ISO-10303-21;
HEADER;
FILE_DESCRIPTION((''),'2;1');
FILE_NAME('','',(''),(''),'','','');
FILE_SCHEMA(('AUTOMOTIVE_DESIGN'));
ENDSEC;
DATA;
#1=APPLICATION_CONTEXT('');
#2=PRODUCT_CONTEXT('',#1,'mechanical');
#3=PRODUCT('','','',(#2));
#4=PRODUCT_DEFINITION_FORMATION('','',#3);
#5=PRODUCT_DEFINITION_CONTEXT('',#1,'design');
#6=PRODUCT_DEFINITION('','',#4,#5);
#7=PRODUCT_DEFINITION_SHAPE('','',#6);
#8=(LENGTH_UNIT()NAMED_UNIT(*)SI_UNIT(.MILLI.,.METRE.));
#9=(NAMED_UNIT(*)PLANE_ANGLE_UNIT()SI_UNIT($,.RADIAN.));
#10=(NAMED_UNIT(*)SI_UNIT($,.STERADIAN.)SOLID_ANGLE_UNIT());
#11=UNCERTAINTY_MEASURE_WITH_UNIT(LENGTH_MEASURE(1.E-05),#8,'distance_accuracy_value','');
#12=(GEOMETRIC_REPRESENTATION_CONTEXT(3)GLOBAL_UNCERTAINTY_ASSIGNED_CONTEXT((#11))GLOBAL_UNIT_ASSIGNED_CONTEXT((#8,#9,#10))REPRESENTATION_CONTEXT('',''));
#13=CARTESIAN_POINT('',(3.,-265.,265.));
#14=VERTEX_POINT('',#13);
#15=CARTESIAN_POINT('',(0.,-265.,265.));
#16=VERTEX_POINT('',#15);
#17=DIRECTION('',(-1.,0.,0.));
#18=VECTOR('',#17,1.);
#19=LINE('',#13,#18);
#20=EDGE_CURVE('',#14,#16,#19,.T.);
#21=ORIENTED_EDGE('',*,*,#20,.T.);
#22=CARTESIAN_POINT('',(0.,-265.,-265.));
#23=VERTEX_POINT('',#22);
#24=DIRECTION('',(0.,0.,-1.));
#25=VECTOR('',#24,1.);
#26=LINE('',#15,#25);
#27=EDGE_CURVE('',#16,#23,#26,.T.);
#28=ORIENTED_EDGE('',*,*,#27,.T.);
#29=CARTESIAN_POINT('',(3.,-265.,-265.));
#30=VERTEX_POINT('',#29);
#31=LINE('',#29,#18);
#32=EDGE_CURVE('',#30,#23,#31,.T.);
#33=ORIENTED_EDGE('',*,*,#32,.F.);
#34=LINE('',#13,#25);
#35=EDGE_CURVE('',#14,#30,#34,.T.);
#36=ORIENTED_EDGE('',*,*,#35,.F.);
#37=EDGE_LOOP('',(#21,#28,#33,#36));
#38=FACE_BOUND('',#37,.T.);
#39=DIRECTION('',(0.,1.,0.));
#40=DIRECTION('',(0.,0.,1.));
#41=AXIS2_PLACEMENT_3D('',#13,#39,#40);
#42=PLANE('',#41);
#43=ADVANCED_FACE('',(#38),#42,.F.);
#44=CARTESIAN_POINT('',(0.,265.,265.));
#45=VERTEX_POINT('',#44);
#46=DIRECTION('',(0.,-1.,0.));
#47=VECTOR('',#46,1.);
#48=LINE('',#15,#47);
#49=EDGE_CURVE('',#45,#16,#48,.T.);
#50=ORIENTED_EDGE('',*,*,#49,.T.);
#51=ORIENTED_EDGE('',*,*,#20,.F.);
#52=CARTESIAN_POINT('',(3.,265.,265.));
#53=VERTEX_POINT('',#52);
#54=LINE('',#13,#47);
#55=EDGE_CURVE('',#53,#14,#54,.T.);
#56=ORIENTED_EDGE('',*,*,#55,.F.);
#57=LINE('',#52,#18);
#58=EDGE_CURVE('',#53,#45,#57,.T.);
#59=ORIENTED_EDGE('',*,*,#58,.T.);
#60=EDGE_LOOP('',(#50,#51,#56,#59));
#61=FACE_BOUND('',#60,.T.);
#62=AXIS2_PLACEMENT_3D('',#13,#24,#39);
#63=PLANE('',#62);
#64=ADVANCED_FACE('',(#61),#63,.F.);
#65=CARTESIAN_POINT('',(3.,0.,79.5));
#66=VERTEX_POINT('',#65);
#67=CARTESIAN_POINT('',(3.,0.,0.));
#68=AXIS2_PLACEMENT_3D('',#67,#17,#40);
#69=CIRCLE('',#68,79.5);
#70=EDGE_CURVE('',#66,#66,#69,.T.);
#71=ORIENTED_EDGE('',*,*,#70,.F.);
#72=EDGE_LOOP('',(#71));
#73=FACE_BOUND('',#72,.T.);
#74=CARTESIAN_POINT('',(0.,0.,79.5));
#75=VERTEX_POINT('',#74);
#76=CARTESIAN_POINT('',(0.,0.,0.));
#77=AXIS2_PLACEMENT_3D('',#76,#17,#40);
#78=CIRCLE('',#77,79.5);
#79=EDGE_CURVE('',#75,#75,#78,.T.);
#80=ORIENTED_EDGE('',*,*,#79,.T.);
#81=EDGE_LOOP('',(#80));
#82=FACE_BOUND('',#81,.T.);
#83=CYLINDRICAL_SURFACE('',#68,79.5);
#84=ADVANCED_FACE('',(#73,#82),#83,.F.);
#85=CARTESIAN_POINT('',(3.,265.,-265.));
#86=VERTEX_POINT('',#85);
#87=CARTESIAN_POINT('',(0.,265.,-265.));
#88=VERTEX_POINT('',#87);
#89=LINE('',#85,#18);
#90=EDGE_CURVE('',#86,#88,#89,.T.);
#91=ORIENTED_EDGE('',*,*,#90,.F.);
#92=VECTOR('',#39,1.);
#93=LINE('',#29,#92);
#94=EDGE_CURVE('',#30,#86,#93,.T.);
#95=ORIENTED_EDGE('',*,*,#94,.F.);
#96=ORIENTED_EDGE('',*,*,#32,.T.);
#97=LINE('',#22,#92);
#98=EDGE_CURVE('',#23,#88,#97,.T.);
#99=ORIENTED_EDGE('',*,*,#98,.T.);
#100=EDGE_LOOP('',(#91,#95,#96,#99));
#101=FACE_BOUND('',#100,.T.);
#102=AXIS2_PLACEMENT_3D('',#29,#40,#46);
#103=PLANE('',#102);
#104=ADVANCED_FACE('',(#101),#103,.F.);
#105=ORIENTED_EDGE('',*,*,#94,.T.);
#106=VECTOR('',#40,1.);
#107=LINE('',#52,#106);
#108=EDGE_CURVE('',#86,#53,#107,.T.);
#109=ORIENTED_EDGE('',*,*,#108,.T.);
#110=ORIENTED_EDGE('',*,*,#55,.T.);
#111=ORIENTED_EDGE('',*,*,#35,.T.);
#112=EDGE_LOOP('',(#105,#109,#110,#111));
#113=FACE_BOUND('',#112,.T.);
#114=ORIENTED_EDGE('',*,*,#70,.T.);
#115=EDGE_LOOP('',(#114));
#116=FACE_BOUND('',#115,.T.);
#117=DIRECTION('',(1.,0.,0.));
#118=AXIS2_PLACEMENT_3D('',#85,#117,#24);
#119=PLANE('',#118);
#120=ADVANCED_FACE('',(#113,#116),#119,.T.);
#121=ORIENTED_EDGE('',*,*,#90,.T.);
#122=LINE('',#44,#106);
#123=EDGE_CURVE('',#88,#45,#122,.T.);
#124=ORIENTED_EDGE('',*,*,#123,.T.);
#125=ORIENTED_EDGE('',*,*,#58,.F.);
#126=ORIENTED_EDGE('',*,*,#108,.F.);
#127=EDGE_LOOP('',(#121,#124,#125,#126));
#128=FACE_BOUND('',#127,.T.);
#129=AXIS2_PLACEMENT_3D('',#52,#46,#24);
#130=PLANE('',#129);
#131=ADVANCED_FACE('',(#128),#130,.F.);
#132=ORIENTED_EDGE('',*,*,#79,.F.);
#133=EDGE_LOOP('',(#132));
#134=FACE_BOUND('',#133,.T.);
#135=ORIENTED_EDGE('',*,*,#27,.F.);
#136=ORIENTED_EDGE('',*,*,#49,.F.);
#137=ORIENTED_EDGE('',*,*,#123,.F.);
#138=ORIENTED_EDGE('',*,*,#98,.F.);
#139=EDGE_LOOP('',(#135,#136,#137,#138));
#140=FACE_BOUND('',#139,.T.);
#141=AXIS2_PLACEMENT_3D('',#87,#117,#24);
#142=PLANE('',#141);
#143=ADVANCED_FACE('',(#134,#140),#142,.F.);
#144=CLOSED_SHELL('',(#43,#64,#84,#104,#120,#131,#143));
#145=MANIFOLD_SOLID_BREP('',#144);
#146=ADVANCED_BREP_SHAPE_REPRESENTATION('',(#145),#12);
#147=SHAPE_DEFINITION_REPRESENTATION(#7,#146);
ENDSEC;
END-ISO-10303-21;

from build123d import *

# Parameters (mm, degrees)
CROQUIS1_W     = 530
CROQUIS1_H     = 530
EXTRUIR1_DEPTH = 3
CROQUIS3_R     = 79.5
EXTRUIR2_DEPTH = 375.77860131


with BuildPart() as part:
    # Croquis1 → Extruir1 (new body)
    with BuildSketch(Plane(origin=(0, 0, 0), x_dir=(0, -1, 0), z_dir=(1, 0, 0))):
        Rectangle(CROQUIS1_W, CROQUIS1_H)
    extrude(amount=EXTRUIR1_DEPTH)

    # Croquis3 → Extruir2 (cut, through all)
    with BuildSketch(Plane.ZY):
        Circle(CROQUIS3_R)
    extrude(amount=-EXTRUIR2_DEPTH, mode=Mode.SUBTRACT)


solid = part.part
